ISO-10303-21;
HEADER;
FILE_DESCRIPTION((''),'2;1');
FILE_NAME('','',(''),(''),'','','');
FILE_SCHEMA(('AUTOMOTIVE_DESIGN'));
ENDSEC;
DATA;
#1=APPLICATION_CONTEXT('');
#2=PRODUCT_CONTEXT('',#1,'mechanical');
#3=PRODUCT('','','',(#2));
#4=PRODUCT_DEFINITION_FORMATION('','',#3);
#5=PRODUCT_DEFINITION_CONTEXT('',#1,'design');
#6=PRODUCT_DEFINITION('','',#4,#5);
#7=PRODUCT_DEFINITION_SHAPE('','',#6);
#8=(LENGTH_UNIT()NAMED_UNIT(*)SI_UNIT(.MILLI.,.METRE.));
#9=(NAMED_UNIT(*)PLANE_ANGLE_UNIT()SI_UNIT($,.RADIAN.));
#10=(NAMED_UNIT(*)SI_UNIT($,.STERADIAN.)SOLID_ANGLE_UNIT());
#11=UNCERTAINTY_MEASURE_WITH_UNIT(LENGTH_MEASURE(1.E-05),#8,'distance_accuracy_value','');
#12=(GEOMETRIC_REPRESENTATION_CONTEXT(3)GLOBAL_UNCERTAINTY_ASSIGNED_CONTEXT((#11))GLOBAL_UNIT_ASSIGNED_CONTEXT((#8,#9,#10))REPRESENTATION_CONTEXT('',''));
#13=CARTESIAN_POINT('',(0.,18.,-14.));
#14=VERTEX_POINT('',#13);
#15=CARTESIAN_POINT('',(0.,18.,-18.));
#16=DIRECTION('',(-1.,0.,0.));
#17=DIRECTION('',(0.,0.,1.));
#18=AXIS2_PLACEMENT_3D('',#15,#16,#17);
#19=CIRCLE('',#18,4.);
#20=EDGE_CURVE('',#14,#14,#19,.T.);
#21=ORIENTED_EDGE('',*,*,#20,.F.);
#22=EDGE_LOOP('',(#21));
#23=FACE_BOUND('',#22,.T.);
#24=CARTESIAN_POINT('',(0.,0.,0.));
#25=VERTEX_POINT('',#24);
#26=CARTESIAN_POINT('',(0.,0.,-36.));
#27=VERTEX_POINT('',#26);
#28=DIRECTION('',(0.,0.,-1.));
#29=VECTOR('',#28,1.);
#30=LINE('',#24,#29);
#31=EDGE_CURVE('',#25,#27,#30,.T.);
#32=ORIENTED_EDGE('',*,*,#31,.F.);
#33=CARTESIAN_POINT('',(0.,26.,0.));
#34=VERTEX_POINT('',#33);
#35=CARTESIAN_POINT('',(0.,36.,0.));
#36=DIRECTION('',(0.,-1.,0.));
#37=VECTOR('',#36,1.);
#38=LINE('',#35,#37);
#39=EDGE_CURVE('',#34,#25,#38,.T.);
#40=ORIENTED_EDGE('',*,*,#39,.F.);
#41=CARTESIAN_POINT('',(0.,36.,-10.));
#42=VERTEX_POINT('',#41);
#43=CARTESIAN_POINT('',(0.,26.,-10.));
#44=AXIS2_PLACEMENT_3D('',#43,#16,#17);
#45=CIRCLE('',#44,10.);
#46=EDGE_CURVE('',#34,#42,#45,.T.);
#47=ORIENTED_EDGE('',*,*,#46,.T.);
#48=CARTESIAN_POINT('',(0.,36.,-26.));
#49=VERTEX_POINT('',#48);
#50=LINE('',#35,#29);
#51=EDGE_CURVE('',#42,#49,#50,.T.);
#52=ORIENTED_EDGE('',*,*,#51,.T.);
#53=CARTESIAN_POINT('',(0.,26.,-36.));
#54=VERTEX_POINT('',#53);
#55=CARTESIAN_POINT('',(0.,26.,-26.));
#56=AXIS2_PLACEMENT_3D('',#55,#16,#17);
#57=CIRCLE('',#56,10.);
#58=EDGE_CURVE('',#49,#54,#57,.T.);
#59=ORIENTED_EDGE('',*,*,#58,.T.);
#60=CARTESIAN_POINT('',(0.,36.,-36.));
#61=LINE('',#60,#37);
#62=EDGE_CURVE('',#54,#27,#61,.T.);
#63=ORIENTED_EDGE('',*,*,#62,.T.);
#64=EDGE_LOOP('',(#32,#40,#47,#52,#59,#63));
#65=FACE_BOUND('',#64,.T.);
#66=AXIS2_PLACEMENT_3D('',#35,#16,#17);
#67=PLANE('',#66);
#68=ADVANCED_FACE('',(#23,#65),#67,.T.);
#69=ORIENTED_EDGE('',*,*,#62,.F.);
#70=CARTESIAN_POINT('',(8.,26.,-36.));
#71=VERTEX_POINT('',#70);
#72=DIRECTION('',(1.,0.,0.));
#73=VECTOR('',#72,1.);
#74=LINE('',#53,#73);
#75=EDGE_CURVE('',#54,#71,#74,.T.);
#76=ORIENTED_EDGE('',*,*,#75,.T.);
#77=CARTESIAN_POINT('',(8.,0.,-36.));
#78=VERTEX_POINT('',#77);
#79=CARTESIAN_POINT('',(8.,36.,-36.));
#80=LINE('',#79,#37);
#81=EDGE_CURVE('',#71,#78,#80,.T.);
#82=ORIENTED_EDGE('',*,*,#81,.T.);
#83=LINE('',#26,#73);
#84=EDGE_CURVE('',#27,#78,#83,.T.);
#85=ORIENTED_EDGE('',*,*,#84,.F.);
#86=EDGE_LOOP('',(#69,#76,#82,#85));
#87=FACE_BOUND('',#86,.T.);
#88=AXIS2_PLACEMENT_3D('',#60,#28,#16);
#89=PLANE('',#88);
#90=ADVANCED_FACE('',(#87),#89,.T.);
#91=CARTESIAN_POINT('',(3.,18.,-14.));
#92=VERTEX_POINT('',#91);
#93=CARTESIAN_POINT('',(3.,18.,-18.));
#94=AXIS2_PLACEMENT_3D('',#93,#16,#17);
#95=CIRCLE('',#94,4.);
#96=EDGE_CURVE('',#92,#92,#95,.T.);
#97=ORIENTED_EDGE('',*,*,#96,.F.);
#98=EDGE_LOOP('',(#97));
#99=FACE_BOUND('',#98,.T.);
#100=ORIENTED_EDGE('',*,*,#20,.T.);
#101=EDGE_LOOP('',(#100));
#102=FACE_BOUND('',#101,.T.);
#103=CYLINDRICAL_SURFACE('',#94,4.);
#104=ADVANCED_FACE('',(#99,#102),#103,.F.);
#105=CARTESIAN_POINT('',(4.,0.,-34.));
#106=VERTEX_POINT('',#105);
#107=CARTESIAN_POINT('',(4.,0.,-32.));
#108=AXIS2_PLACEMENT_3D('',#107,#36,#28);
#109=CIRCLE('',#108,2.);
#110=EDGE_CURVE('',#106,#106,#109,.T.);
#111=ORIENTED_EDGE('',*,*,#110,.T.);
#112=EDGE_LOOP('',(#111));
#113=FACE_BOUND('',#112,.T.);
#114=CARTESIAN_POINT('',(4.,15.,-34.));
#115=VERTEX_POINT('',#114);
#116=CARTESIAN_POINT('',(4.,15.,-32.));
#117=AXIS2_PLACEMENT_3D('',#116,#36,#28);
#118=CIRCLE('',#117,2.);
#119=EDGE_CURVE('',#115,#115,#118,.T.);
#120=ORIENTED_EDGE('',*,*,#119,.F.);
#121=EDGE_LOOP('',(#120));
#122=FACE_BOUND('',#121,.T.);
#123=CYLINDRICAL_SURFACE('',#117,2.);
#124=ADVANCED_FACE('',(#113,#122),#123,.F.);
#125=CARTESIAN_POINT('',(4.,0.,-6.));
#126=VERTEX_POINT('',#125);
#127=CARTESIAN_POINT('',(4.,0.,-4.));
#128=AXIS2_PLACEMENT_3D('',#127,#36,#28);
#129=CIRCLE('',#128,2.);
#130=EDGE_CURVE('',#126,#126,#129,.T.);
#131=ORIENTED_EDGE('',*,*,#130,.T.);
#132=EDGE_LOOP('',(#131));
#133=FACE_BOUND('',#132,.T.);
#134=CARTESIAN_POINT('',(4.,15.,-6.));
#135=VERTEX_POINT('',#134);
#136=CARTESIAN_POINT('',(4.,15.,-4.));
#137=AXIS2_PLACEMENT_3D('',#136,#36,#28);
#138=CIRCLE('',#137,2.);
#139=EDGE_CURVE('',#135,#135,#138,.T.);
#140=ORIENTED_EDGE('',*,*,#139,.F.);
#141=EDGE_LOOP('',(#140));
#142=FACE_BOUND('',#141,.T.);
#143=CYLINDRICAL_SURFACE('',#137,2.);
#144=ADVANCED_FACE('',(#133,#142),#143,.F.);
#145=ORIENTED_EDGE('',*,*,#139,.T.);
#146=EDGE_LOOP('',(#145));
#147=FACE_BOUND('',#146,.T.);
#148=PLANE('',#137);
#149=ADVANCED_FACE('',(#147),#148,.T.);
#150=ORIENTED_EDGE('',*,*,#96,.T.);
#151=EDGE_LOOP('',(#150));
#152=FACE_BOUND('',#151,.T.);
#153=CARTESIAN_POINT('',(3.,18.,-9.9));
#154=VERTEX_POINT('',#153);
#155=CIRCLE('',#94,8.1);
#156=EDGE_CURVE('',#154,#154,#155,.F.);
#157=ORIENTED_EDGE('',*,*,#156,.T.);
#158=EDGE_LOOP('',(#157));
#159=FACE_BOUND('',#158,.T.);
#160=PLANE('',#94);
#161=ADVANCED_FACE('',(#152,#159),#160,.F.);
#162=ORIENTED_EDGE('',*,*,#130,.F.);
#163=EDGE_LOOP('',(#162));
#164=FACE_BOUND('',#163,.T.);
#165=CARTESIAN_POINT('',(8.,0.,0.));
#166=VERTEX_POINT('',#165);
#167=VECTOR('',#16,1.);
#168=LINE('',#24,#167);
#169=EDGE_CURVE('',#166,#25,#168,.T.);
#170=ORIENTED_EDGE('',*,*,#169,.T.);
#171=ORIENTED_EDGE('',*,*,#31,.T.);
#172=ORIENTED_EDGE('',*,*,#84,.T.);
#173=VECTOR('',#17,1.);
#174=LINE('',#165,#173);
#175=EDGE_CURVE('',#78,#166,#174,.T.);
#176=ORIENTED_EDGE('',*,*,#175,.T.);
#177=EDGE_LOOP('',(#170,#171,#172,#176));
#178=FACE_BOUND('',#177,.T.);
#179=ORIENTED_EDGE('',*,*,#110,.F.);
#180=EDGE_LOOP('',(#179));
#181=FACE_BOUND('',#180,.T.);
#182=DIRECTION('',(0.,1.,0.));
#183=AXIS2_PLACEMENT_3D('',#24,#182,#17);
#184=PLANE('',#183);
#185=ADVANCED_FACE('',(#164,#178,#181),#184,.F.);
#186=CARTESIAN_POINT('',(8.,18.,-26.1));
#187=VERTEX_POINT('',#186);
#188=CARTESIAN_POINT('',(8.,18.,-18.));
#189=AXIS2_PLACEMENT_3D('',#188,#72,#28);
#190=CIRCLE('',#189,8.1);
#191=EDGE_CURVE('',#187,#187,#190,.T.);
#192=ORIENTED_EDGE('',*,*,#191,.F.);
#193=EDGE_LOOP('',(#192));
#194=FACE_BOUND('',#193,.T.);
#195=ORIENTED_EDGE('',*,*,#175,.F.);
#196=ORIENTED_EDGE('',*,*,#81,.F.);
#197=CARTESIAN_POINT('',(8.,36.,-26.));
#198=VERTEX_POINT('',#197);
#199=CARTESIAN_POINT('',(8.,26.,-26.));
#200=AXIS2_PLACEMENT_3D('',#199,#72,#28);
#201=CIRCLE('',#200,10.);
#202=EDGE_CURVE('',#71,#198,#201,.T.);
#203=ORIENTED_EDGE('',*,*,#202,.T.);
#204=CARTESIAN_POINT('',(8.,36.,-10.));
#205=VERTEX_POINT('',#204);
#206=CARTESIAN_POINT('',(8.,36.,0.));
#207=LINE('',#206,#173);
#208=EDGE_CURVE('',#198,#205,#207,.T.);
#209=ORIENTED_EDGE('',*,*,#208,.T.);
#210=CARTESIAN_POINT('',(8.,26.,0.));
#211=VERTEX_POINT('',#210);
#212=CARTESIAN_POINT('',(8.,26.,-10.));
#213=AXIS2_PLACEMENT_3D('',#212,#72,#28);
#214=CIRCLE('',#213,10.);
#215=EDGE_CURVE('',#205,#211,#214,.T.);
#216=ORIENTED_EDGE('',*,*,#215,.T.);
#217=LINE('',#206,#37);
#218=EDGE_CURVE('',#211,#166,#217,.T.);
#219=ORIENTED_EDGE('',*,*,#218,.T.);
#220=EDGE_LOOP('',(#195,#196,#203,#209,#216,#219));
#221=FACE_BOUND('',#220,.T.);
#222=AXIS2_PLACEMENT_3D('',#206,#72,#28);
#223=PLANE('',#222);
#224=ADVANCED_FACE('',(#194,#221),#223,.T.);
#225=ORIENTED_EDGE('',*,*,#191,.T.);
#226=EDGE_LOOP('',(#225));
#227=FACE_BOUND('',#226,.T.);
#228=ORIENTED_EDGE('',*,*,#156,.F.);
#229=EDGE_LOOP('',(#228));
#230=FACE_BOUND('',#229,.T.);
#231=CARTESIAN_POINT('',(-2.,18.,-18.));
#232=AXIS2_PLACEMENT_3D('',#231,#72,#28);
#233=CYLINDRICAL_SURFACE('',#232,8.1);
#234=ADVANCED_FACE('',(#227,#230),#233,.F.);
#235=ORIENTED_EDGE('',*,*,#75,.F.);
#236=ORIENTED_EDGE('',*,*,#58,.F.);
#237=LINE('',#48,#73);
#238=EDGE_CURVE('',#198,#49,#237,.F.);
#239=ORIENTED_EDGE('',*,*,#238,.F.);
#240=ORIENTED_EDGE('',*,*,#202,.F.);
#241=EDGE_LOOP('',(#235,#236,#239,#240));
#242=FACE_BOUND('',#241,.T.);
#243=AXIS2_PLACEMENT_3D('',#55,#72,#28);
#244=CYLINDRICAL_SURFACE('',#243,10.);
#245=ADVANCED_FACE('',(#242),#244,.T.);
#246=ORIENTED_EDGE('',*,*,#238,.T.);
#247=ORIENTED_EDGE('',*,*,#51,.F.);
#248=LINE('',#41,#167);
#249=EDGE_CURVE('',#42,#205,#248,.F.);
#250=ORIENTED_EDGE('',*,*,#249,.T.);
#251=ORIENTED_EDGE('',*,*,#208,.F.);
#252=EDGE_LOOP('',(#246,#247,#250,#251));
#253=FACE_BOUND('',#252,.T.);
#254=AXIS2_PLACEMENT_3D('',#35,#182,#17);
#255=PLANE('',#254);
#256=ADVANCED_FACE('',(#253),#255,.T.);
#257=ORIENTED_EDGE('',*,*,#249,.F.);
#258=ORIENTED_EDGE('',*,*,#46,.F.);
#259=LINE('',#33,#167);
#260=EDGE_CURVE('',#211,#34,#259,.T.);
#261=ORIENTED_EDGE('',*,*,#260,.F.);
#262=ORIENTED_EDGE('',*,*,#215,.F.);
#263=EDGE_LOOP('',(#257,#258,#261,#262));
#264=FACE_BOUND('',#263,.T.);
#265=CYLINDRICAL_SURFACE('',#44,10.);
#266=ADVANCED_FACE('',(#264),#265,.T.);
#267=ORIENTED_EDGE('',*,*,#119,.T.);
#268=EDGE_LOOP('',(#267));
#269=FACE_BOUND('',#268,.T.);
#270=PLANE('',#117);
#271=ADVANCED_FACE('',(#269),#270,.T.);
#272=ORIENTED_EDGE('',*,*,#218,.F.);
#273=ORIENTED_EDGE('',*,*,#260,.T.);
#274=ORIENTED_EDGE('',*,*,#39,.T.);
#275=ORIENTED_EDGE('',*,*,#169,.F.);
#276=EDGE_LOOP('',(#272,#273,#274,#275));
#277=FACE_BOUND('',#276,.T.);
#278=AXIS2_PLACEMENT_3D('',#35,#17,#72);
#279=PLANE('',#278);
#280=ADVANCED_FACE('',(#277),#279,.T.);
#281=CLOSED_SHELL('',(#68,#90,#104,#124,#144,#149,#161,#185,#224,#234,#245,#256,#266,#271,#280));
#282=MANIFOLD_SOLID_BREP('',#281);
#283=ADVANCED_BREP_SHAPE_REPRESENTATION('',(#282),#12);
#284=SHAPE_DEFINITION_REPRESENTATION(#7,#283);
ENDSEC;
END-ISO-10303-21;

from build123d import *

# Parameters (mm, degrees)
ESQUISSE1_W             = 8
ESQUISSE1_H             = 36
BOSS_EXTRU_3_DEPTH      = 36
ESQUISSE9_R             = 8.1
ENL_V_MAT_EXTRU_1_DEPTH = 10
BOSS_EXTRU_4_START      = -3
ESQUISSE10_R            = 8.1
ESQUISSE10_R_2          = 4
BOSS_EXTRU_4_DEPTH      = 3
ESQUISSE13_R            = 2
ENL_V_MAT_EXTRU_2_DEPTH = 15
CONG_1_R                = 10


with BuildPart() as part:
    # Esquisse1 → Boss.-Extru.3 (new body)
    with BuildSketch(Plane(origin=(0, 0, 0), x_dir=(1, 0, 0), z_dir=(0, 1, 0))):
        with Locations((4, 18)):
            Rectangle(ESQUISSE1_W, ESQUISSE1_H)
    extrude(amount=BOSS_EXTRU_3_DEPTH)

    # Esquisse9 → Enlèv. mat.-Extru.1 (cut)
    with BuildSketch(Plane(origin=(8, 0, 0), x_dir=(0, 0, -1), z_dir=(1, 0, 0))):
        with Locations((18, 18)):
            Circle(ESQUISSE9_R)
    extrude(amount=-ENL_V_MAT_EXTRU_1_DEPTH, mode=Mode.SUBTRACT)

    # Esquisse10 → Boss.-Extru.4 (add)
    with BuildSketch(Plane.ZY.offset(BOSS_EXTRU_4_START)):
        with Locations((-18, 18)):
            Circle(ESQUISSE10_R)
        with Locations((-18, 18)):
            Circle(ESQUISSE10_R_2, mode=Mode.SUBTRACT)
    extrude(amount=BOSS_EXTRU_4_DEPTH)

    # Esquisse13 → Enlèv. mat.-Extru.2 (cut)
    with BuildSketch(Plane.XZ):
        with Locations((4, -4)):
            Circle(ESQUISSE13_R)
        with Locations((4, -32)):
            Circle(ESQUISSE13_R)
    extrude(amount=-ENL_V_MAT_EXTRU_2_DEPTH, mode=Mode.SUBTRACT)

    # Congé1
    cong_1_edges = [part.edges().sort_by_distance(p)[0] for p in [
        (4, 36, -36),
        (4, 36, 0),
    ]]
    fillet(cong_1_edges, radius=CONG_1_R)


solid = part.part
